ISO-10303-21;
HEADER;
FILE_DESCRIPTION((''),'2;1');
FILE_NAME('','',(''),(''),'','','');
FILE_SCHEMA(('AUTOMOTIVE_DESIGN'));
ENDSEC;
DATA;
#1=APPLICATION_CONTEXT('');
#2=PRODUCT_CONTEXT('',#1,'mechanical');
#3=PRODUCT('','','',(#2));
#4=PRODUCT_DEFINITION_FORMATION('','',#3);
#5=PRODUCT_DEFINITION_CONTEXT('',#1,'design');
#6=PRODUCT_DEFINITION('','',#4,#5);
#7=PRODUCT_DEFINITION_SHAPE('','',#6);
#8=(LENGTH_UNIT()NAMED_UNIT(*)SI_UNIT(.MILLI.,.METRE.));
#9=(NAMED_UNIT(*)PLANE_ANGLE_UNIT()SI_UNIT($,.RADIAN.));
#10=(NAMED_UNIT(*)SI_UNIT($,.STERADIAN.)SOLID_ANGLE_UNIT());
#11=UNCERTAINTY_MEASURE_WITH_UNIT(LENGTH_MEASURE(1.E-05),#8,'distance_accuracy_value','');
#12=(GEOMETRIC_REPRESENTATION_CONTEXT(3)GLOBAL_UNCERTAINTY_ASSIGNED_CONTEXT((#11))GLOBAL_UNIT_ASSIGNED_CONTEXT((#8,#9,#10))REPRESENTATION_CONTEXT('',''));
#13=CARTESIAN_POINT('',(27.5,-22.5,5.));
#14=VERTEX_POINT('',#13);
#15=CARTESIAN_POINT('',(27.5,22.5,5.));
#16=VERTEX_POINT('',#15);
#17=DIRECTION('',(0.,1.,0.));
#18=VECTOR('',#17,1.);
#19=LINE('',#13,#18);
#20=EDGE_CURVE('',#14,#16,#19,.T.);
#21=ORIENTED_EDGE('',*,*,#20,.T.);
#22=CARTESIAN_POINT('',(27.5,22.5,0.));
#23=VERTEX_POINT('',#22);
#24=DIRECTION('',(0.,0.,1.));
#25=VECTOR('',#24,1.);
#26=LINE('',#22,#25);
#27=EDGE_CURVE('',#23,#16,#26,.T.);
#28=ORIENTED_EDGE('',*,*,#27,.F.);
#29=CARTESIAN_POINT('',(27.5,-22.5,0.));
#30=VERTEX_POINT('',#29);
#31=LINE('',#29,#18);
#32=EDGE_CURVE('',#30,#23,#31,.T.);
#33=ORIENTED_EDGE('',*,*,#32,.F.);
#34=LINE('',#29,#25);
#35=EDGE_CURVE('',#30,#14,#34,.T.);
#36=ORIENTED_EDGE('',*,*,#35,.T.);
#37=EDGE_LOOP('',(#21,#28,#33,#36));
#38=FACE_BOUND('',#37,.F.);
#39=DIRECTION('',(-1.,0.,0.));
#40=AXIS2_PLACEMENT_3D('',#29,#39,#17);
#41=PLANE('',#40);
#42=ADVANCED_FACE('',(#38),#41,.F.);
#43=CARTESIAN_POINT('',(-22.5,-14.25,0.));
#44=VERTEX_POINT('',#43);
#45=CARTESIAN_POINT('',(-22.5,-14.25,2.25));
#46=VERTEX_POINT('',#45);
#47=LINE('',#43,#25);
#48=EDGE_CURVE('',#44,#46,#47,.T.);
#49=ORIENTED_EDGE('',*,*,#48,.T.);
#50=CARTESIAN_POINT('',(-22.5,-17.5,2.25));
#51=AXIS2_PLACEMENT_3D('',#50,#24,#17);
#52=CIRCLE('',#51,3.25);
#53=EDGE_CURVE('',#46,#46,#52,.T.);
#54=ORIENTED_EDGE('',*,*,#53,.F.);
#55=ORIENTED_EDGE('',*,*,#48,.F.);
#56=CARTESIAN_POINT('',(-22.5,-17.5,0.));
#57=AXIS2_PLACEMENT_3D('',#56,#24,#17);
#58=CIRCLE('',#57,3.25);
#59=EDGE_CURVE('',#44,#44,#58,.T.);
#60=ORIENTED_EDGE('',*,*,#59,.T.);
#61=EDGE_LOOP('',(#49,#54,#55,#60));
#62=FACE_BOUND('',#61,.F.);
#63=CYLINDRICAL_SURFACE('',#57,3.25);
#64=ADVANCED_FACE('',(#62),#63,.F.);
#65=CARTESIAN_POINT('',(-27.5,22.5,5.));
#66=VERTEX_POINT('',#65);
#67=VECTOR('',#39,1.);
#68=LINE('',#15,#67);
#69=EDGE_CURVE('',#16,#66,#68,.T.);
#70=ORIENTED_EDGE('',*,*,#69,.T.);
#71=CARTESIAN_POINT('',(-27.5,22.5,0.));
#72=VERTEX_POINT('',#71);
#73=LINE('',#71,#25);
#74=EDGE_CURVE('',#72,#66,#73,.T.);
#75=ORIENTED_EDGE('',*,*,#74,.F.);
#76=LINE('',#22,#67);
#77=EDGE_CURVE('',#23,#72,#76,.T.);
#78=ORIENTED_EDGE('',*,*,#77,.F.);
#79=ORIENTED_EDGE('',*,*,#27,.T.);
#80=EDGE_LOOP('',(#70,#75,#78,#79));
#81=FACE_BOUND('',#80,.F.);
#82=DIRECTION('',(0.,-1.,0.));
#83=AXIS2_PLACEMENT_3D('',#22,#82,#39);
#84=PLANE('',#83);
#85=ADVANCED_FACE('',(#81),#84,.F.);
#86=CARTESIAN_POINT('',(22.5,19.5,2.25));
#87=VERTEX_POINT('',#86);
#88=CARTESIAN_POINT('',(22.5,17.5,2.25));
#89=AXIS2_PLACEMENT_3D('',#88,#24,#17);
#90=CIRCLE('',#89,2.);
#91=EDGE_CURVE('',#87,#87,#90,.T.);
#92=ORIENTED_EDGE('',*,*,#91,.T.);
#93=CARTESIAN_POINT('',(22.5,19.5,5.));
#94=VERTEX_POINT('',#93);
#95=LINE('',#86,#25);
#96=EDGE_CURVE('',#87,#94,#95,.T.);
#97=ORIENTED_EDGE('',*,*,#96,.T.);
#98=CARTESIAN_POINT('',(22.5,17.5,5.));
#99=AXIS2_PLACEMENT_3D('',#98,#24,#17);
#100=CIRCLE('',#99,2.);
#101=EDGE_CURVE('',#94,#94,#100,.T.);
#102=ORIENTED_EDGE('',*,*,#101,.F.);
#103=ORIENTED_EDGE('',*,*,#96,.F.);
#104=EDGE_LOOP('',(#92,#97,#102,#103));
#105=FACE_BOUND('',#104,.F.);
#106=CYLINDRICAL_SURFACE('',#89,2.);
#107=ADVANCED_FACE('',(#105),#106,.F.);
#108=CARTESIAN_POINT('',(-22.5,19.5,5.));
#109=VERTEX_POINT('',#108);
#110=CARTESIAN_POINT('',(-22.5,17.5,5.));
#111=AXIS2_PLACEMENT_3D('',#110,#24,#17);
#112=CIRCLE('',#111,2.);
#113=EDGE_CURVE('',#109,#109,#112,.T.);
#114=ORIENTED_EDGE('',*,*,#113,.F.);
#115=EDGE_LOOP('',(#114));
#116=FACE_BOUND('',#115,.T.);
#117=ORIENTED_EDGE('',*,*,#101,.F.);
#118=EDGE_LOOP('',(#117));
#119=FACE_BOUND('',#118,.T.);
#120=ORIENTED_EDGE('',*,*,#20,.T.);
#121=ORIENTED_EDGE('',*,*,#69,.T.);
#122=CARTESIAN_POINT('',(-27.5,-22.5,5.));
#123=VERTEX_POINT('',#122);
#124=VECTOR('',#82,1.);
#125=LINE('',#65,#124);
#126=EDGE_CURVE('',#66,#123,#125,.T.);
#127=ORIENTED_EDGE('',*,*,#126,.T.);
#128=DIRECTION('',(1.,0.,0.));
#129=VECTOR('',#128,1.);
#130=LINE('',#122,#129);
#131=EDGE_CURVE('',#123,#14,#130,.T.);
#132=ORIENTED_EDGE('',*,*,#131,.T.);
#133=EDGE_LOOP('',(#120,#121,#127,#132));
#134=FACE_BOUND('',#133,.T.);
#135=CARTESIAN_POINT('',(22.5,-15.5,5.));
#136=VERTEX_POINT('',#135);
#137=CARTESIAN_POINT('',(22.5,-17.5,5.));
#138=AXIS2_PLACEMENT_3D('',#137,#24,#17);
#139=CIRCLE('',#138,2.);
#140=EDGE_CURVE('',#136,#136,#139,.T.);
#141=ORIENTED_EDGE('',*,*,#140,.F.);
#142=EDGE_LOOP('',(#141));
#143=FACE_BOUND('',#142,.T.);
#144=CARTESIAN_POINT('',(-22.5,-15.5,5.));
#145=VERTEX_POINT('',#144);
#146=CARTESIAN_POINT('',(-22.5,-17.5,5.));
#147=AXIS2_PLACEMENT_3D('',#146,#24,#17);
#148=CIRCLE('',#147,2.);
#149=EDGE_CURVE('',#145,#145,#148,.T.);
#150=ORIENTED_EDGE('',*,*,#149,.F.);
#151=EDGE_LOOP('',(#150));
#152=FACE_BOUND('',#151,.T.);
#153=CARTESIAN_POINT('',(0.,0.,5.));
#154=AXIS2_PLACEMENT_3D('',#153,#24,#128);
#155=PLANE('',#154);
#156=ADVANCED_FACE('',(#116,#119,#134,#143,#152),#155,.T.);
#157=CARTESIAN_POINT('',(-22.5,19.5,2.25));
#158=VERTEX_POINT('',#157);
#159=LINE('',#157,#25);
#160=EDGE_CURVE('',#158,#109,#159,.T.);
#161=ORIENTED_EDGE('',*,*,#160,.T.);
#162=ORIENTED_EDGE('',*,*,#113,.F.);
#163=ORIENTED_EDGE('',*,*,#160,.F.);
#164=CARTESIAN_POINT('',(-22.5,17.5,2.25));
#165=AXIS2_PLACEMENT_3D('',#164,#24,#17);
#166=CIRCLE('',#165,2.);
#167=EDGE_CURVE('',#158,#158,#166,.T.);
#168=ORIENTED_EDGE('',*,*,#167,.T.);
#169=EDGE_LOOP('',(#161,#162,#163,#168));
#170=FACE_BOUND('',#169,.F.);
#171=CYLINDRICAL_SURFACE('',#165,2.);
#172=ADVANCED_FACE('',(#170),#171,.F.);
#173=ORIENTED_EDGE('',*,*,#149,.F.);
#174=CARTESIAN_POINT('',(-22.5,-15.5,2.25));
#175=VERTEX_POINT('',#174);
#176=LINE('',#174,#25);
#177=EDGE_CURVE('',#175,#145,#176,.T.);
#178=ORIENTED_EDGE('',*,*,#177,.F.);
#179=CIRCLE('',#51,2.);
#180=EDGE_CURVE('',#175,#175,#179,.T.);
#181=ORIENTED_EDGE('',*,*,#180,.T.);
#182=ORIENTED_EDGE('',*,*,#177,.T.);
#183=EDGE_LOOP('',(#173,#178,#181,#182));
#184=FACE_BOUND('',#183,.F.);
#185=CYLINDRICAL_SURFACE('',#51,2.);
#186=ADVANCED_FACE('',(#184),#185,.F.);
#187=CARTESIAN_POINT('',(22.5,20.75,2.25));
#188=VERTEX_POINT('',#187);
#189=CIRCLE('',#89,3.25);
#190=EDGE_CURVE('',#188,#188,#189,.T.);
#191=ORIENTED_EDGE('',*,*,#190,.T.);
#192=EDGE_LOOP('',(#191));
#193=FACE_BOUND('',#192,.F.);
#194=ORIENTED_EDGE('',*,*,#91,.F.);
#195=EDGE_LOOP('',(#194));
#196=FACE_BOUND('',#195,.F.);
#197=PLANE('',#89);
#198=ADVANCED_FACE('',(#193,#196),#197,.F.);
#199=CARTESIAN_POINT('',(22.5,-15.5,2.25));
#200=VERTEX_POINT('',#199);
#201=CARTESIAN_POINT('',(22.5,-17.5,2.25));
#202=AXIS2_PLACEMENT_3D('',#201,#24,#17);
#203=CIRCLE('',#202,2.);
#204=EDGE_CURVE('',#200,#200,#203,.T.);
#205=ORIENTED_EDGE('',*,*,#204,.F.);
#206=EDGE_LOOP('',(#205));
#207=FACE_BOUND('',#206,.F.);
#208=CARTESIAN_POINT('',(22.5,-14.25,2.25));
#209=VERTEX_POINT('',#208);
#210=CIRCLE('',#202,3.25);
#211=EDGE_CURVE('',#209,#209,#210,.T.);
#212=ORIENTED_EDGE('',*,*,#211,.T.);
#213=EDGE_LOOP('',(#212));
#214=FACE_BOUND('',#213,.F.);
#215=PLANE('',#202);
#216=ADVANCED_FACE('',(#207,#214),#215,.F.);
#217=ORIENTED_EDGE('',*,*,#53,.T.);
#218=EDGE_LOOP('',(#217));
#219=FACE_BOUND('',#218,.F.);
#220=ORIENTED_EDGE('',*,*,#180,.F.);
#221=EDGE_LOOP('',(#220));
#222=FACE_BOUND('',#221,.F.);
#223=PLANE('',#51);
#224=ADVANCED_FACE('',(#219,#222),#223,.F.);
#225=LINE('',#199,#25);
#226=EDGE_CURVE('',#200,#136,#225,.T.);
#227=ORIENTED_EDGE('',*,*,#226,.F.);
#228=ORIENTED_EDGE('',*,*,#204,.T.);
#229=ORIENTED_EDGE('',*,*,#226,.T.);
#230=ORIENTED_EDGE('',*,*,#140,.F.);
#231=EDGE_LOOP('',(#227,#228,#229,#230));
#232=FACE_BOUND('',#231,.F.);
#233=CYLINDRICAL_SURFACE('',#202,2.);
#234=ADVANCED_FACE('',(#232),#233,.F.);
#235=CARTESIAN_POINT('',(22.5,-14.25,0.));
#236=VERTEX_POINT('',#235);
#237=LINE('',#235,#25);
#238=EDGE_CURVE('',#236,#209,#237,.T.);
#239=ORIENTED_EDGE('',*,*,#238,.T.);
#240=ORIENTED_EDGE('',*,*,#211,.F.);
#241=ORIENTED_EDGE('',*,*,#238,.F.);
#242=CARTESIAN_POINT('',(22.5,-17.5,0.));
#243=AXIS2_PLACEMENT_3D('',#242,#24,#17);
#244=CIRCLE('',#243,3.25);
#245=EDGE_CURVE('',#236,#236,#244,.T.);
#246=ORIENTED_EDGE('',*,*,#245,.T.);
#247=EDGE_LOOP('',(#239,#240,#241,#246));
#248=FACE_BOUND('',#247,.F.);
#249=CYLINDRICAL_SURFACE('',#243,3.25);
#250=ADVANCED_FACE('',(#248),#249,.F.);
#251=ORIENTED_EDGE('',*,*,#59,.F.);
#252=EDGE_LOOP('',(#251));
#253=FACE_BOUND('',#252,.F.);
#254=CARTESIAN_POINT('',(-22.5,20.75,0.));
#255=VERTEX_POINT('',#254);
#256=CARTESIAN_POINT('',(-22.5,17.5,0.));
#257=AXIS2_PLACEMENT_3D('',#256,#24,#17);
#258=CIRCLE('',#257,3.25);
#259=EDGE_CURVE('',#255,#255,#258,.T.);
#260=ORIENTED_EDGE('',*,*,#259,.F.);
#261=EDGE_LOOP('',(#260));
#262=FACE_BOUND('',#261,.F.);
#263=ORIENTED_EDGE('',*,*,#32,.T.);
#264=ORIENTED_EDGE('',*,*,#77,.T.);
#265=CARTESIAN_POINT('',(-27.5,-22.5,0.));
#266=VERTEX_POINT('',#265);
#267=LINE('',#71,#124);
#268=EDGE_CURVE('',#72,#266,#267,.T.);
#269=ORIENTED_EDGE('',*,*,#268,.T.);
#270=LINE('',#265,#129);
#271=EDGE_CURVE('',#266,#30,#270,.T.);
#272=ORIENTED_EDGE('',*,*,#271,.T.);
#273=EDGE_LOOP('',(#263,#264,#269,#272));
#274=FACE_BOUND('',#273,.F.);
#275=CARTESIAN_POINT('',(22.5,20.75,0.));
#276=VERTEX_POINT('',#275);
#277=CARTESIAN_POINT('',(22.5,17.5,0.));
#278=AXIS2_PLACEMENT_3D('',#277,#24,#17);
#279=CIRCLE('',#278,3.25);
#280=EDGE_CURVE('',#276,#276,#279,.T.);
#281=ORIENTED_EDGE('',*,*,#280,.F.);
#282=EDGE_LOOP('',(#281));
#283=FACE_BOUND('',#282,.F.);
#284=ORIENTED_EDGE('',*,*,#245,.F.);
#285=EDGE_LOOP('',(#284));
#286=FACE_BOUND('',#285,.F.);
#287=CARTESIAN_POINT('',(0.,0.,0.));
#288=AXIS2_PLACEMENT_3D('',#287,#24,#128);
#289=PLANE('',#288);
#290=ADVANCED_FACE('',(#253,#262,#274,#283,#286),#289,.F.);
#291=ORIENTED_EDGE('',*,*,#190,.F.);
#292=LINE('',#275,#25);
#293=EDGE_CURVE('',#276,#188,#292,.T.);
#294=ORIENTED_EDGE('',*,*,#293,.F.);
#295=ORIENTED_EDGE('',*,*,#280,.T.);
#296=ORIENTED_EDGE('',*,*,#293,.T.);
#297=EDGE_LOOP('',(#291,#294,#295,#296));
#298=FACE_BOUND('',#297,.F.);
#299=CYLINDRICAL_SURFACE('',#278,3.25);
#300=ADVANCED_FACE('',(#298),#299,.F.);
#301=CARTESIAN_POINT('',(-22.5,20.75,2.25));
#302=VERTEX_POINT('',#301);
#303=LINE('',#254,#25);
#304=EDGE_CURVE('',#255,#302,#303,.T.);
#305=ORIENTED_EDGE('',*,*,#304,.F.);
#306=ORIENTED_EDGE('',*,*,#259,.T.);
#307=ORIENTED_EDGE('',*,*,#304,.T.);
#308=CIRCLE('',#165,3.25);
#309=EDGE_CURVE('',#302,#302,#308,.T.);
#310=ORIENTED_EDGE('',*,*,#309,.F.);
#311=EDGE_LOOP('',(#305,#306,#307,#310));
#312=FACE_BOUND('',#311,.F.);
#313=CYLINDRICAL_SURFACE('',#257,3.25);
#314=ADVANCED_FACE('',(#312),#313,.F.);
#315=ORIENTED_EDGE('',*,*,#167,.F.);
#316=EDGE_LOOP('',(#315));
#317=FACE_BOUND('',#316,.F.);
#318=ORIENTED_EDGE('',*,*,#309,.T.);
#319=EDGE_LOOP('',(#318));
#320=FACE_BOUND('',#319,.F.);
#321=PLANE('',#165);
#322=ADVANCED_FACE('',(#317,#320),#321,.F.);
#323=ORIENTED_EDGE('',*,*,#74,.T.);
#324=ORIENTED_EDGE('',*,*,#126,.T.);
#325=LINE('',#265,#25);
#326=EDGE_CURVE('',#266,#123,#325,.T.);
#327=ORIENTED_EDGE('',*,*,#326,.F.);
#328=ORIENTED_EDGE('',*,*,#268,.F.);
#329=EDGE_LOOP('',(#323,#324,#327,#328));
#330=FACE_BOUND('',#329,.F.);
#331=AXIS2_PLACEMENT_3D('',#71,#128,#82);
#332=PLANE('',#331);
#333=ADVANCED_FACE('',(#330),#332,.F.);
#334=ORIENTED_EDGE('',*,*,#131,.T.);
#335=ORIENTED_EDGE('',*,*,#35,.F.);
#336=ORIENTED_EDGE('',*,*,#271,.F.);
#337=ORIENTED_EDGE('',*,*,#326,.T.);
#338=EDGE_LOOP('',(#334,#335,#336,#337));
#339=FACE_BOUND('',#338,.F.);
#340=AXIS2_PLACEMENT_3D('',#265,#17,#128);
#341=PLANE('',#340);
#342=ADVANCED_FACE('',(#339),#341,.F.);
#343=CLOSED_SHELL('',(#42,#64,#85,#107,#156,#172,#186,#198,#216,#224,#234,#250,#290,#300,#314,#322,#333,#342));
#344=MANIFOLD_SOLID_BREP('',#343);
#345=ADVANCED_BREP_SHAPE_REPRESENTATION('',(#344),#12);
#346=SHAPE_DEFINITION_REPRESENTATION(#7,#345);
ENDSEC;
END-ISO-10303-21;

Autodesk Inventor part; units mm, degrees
ref_plane "YZ Plane" through (0, 0, 0) normal (1, 0, 0) x (0, 1, 0)
ref_plane "XZ Plane" through (0, 0, 0) normal (0, 1, 0) x (-1, 0, 0)
ref_plane "XY Plane" through (0, 0, 0) normal (0, 0, 1) x (1, 0, 0)
sketch "Skizze1" plane through (0, 0, 0) normal (0, 0, 1) x (1, 0, 0)
  line L0 (-27.5, -22.5) -> (27.5, -22.5)
  line L1 (27.5, -22.5) -> (27.5, 22.5)
  line L2 (27.5, 22.5) -> (-27.5, 22.5)
  line L3 (-27.5, 22.5) -> (-27.5, -22.5)
  line L4 (-27.5, -22.5) -> (27.5, 22.5) construction
  line L5 (27.5, -22.5) -> (-27.5, 22.5) construction
  point P0 (0, 0)
  point P1 (-22.5, 17.5)
  point P2 (22.5, 17.5)
  point P3 (22.5, -17.5)
  point P4 (-22.5, -17.5)
  dimension "d0" = 55
  dimension "d1" = 45
  dimension "d2" = 5
  dimension "d3" = 5
  dimension "d4" = 5
  dimension "d5" = 5
  dimension "d6" = 5
  dimension "d7" = 5
  dimension "d8" = 5
  dimension "d9" = 5
extrude "Extrusion1" add sketch "Skizze1" along normal blind 5
sketch "Skizze2" plane through (0, 0, 0) normal (0, 0, -1) x (-1, 0, 0)
  line L0 (27.5, 22.5) -> (27.5, -22.5) projected
  line L1 (-27.5, 22.5) -> (27.5, 22.5) projected
  line L2 (27.5, -22.5) -> (-27.5, -22.5) projected
  line L3 (-27.5, -22.5) -> (-27.5, 22.5) projected
  point P0 (0, 0)
  point P1 (22.5, 17.5)
  point P2 (22.5, -17.5)
  point P3 (-22.5, -17.5)
  point P4 (-22.5, 17.5)
  dimension "d12" = 5
  dimension "d13" = 5
  dimension "d14" = 5
  dimension "d15" = 5
  dimension "d16" = 5
  dimension "d17" = 5
  dimension "d18" = 5
  dimension "d19" = 5
hole "Bohrung1" at (-22.5, 17.5, 0) at (-22.5, -17.5, 0) at (22.5, -17.5, 0) at (22.5, 17.5, 0) direction (0, 0, 1) diameter 4 end through all counterbore diameter 6.5 counterbore depth 2.25
properties part number "Spiegelhalter_klein"
